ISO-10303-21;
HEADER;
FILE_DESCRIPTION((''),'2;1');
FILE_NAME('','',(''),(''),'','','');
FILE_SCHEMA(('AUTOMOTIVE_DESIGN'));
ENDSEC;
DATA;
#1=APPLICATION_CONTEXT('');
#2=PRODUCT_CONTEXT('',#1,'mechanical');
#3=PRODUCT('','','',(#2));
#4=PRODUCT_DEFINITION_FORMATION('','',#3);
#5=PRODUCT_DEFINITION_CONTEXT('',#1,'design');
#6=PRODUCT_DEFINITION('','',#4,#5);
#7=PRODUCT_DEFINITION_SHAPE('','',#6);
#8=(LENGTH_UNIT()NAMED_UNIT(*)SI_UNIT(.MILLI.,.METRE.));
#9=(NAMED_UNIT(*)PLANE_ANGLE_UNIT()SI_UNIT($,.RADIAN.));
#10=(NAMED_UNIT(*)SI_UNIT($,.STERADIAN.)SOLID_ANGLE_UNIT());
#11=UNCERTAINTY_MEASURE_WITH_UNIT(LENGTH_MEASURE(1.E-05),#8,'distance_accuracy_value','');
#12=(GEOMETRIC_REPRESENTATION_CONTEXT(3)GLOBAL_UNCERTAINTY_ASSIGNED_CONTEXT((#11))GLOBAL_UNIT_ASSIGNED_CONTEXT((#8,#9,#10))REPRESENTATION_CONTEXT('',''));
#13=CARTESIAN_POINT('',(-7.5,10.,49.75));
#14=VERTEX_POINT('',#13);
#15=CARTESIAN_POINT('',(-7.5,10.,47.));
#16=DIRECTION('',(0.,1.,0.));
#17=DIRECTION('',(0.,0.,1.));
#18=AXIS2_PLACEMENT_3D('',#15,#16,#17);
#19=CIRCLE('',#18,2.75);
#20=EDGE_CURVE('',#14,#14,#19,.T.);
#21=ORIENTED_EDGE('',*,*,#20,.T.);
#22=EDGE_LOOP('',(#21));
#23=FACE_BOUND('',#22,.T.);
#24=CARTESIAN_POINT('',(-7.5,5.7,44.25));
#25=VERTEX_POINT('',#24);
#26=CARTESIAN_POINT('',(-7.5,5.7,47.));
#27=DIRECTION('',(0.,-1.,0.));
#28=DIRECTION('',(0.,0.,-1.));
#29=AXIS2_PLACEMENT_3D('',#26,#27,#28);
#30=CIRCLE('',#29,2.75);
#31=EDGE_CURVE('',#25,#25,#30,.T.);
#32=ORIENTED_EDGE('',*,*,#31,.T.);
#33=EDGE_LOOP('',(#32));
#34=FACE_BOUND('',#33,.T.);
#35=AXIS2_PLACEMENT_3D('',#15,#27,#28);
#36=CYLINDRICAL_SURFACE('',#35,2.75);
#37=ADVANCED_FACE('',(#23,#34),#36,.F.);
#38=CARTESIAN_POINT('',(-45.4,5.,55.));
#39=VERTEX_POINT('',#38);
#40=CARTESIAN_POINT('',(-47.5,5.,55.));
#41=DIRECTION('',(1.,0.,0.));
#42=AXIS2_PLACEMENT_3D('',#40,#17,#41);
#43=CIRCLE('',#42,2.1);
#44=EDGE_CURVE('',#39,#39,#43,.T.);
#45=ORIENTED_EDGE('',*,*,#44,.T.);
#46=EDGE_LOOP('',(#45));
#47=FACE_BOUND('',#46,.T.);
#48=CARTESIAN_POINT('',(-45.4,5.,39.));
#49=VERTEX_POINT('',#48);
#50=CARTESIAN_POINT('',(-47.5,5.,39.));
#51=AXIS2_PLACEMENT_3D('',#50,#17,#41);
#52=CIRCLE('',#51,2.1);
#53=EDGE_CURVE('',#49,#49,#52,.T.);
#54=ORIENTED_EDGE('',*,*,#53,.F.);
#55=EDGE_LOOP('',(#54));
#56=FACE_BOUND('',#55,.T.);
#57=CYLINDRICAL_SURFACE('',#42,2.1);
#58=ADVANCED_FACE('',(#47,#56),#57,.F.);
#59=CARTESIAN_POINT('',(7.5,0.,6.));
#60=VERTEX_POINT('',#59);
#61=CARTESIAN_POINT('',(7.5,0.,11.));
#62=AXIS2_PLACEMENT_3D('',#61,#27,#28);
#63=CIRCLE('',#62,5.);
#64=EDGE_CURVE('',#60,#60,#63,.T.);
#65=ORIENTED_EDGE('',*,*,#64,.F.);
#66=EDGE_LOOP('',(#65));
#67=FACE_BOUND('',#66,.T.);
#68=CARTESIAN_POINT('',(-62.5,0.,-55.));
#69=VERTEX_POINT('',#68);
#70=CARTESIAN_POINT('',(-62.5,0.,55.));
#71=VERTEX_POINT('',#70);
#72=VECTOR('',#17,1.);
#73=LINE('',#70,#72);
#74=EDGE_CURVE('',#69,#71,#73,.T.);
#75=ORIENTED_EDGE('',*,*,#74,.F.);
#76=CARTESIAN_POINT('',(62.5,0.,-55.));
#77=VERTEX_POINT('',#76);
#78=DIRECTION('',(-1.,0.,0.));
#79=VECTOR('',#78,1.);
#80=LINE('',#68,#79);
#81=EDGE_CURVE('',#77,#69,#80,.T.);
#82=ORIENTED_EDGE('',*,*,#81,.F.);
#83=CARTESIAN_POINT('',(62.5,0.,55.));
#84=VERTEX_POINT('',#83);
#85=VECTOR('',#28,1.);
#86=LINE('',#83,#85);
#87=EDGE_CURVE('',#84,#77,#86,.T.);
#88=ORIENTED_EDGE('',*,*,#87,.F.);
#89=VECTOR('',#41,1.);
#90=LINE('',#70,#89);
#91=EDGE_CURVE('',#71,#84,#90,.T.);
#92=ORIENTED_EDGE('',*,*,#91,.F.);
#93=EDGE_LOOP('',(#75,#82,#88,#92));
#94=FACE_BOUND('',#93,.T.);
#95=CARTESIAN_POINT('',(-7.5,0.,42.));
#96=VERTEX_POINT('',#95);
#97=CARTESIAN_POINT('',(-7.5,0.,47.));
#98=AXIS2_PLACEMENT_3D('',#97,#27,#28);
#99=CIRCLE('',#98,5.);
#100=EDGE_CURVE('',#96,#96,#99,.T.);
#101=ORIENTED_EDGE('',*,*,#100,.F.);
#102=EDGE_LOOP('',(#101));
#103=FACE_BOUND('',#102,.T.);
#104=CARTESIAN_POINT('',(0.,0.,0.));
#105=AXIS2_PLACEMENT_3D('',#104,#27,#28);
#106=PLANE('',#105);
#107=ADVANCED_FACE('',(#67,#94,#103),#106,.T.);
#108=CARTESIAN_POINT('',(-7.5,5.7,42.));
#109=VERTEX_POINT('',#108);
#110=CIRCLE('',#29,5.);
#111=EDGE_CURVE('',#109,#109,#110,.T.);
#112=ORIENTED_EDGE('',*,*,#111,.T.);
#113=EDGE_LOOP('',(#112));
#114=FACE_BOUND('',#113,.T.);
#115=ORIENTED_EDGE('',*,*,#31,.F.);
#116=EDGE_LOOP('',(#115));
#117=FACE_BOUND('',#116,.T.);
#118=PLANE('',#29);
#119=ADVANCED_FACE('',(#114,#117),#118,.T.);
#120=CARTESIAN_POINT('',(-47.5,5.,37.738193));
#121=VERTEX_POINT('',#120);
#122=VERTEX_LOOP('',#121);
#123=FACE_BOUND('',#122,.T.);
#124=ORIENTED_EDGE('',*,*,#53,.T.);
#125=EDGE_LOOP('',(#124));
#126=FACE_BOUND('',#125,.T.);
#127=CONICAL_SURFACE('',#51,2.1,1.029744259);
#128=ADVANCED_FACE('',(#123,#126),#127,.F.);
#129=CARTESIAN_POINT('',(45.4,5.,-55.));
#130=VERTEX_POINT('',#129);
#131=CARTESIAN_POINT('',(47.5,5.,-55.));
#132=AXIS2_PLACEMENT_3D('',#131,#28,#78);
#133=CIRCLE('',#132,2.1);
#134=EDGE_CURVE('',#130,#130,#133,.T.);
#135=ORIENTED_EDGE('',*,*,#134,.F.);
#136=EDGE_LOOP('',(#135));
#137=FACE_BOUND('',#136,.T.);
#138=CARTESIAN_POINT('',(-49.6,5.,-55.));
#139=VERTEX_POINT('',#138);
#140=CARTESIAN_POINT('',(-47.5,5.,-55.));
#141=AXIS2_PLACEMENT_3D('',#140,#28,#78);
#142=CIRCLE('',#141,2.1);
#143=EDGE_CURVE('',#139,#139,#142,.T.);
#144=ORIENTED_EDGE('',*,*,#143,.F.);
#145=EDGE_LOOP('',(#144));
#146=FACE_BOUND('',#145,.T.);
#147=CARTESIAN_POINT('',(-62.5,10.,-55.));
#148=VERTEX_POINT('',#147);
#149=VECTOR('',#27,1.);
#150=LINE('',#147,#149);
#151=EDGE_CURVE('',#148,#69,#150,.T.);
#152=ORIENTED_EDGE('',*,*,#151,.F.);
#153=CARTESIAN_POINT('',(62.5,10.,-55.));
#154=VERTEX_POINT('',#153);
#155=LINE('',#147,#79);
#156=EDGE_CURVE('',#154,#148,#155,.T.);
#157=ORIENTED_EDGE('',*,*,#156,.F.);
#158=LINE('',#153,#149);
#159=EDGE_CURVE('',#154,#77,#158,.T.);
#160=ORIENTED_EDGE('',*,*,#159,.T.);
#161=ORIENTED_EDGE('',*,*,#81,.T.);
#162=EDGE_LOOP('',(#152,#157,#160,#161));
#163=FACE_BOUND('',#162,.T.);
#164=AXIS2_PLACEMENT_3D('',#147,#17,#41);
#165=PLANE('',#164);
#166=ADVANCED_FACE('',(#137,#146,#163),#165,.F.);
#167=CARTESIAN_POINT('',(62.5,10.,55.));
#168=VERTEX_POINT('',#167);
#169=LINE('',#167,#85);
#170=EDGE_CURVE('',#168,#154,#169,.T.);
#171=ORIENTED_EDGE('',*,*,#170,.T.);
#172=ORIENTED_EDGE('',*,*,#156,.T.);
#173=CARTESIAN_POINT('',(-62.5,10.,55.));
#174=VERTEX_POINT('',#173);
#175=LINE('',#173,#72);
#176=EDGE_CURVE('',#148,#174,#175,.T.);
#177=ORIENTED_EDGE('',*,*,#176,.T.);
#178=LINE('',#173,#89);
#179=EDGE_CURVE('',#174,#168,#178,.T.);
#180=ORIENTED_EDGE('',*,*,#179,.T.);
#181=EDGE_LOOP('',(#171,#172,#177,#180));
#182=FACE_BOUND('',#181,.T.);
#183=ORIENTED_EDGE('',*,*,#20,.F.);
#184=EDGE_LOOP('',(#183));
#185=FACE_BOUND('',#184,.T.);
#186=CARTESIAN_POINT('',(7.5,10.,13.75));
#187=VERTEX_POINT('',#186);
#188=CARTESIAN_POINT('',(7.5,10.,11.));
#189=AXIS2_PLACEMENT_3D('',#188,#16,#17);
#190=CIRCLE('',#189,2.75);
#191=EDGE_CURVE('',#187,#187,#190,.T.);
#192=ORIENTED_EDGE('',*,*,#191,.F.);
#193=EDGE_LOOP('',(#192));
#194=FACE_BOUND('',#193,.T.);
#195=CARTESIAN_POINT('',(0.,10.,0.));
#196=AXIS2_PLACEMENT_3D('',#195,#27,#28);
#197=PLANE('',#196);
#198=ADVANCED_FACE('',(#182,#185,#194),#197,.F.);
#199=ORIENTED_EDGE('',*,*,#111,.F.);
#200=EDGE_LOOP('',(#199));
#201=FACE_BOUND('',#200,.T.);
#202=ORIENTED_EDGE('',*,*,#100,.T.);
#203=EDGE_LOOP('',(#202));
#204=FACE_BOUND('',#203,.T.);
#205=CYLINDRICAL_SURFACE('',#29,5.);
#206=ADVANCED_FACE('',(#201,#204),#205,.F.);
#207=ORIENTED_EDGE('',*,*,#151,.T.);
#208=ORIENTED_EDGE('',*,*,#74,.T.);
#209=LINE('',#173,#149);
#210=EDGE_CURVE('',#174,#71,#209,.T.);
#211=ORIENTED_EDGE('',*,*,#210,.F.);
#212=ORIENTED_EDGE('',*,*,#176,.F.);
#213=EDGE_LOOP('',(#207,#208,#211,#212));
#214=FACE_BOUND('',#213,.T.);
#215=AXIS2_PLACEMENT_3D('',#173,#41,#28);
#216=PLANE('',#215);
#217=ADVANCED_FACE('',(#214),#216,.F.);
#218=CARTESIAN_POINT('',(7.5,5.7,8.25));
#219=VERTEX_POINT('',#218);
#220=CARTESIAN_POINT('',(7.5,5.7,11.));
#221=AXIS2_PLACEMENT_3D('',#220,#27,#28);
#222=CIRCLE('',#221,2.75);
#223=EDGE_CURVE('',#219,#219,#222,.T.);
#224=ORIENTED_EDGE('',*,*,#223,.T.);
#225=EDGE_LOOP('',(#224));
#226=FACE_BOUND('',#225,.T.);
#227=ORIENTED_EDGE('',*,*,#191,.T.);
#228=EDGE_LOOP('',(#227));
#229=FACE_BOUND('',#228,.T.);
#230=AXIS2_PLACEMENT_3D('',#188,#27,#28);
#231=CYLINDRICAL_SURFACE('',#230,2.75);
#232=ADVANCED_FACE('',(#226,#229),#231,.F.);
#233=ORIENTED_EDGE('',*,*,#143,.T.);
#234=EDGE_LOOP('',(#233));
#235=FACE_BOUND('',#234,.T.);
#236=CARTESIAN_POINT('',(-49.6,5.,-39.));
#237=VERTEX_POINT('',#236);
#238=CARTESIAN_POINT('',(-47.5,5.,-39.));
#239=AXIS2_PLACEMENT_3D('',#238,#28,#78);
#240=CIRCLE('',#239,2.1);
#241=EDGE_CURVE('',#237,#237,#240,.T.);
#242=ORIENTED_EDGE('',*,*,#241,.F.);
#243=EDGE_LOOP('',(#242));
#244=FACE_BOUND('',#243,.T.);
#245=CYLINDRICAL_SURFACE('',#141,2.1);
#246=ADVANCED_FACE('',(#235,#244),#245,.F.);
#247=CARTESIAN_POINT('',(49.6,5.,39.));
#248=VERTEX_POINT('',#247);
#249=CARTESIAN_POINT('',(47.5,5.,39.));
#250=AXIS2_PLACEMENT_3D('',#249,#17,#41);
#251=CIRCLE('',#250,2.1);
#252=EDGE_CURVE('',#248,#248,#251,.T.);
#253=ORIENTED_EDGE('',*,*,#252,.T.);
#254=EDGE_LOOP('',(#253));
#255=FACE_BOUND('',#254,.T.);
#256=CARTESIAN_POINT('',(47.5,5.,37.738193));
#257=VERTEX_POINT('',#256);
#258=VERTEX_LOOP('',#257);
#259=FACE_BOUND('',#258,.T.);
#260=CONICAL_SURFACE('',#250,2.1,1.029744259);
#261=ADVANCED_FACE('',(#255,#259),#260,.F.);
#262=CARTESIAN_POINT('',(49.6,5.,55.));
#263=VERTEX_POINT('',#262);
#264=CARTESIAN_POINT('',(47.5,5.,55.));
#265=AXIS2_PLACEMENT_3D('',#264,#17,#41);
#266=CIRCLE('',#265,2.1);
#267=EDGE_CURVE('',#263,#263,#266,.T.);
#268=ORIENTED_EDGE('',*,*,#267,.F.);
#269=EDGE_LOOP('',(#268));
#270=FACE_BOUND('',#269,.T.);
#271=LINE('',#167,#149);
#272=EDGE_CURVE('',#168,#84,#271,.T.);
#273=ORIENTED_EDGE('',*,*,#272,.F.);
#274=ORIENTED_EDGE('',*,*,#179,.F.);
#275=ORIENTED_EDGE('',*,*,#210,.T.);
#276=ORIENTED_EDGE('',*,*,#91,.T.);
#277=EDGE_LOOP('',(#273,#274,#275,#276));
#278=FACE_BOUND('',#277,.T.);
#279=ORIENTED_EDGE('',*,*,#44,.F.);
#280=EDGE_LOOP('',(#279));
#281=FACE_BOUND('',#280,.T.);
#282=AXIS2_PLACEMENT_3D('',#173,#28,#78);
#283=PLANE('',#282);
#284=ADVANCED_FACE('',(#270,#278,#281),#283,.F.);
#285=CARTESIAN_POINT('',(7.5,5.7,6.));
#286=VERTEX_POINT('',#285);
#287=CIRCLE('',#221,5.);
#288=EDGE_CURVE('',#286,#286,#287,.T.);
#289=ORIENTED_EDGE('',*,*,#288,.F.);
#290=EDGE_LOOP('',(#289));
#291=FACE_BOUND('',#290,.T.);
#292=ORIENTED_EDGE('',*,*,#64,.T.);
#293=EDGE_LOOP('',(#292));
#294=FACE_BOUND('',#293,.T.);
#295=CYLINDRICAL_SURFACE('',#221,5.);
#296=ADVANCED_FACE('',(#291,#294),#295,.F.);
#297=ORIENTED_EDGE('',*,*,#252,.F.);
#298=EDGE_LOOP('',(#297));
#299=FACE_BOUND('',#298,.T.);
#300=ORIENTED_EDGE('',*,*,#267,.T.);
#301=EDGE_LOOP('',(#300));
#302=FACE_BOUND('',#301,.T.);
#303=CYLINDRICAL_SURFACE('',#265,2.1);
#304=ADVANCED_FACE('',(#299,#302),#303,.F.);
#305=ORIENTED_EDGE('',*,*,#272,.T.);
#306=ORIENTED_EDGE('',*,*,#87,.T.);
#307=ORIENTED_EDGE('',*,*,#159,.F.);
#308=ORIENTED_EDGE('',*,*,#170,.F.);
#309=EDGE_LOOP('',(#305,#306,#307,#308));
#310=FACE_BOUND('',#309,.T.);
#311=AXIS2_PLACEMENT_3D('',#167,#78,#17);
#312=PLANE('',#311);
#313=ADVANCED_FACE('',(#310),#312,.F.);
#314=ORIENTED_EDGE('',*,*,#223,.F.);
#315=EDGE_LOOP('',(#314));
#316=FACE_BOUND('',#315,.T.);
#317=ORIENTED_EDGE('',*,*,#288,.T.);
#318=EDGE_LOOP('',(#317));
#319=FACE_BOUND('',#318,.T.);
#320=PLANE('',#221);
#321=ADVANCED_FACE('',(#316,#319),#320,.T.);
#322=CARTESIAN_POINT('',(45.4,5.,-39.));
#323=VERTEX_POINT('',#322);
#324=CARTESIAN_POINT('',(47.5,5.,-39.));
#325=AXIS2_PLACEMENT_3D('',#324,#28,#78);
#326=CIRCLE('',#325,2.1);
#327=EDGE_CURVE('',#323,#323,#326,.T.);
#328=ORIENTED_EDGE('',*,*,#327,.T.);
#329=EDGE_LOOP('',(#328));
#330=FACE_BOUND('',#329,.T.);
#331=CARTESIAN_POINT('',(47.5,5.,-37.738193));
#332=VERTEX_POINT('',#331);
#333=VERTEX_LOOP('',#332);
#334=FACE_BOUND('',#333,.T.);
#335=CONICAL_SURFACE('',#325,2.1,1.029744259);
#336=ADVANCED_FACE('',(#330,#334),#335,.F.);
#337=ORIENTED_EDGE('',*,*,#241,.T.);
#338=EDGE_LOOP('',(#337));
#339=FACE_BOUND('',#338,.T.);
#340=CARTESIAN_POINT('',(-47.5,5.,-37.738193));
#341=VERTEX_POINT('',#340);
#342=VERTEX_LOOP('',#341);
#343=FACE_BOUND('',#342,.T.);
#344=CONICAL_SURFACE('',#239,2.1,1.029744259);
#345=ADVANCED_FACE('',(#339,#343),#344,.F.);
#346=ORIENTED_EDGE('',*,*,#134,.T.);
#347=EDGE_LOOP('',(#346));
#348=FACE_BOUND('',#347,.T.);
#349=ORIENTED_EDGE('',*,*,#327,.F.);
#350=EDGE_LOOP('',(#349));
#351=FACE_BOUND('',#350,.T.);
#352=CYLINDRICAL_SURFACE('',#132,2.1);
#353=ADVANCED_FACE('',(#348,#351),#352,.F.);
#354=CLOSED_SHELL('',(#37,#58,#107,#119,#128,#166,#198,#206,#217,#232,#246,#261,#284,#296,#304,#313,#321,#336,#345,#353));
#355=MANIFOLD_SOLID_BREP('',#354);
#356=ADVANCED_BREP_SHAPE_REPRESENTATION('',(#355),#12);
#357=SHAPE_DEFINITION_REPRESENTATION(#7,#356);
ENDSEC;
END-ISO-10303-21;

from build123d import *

# Parameters (mm, degrees)
SKETCH1_W             = 125
SKETCH1_H             = 110
SKETCH1_R             = 2.75
BOSS_EXTRUDE1_DEPTH   = 10
M5_TAPPED_HOLE3_D     = 4.2
M5_TAPPED_HOLE3_DEPTH = 16
M5_TAPPED_HOLE3_TIP   = 1.2618073
M5_TAPPED_HOLE4_D     = 4.2
M5_TAPPED_HOLE4_DEPTH = 16
M5_TAPPED_HOLE4_TIP   = 1.2618073
SKETCH13_R            = 5
CUT_EXTRUDE1_DEPTH    = 5.7


with BuildPart() as part:
    # Sketch1 → Boss-Extrude1 (new body)
    with BuildSketch(Plane(origin=(0, 0, 0), x_dir=(1, 0, 0), z_dir=(0, 1, 0))):
        Rectangle(SKETCH1_W, SKETCH1_H)
        with Locations((7.5, -11)):
            Circle(SKETCH1_R, mode=Mode.SUBTRACT)
        with Locations((-7.5, -47)):
            Circle(SKETCH1_R, mode=Mode.SUBTRACT)
    extrude(amount=BOSS_EXTRUDE1_DEPTH)

    # M5 Tapped Hole3
    with Locations(Plane(origin=(0, 0, -55), x_dir=(-1, 0, 0), z_dir=(0, 0, -1))):
        with Locations((-47.5, 5), (47.5, 5)):
            Hole(M5_TAPPED_HOLE3_D / 2, depth=M5_TAPPED_HOLE3_DEPTH)
            with Locations((0, 0, -(M5_TAPPED_HOLE3_DEPTH + M5_TAPPED_HOLE3_TIP / 2))):  # 118° drill point
                Cone(0, M5_TAPPED_HOLE3_D / 2, M5_TAPPED_HOLE3_TIP, mode=Mode.SUBTRACT)

    # M5 Tapped Hole4
    with Locations(Plane.XY.offset(55)):
        with Locations((-47.5, 5), (47.5, 5)):
            Hole(M5_TAPPED_HOLE4_D / 2, depth=M5_TAPPED_HOLE4_DEPTH)
            with Locations((0, 0, -(M5_TAPPED_HOLE4_DEPTH + M5_TAPPED_HOLE4_TIP / 2))):  # 118° drill point
                Cone(0, M5_TAPPED_HOLE4_D / 2, M5_TAPPED_HOLE4_TIP, mode=Mode.SUBTRACT)

    # Sketch13 → Cut-Extrude1 (cut)
    with BuildSketch(Plane(origin=(0, 0, 0), x_dir=(-1, 0, 0), z_dir=(0, -1, 0))):
        with Locations((-7.5, -11)):
            Circle(SKETCH13_R)
        with Locations((7.5, -47)):
            Circle(SKETCH13_R)
    extrude(amount=-CUT_EXTRUDE1_DEPTH, mode=Mode.SUBTRACT)


solid = part.part
